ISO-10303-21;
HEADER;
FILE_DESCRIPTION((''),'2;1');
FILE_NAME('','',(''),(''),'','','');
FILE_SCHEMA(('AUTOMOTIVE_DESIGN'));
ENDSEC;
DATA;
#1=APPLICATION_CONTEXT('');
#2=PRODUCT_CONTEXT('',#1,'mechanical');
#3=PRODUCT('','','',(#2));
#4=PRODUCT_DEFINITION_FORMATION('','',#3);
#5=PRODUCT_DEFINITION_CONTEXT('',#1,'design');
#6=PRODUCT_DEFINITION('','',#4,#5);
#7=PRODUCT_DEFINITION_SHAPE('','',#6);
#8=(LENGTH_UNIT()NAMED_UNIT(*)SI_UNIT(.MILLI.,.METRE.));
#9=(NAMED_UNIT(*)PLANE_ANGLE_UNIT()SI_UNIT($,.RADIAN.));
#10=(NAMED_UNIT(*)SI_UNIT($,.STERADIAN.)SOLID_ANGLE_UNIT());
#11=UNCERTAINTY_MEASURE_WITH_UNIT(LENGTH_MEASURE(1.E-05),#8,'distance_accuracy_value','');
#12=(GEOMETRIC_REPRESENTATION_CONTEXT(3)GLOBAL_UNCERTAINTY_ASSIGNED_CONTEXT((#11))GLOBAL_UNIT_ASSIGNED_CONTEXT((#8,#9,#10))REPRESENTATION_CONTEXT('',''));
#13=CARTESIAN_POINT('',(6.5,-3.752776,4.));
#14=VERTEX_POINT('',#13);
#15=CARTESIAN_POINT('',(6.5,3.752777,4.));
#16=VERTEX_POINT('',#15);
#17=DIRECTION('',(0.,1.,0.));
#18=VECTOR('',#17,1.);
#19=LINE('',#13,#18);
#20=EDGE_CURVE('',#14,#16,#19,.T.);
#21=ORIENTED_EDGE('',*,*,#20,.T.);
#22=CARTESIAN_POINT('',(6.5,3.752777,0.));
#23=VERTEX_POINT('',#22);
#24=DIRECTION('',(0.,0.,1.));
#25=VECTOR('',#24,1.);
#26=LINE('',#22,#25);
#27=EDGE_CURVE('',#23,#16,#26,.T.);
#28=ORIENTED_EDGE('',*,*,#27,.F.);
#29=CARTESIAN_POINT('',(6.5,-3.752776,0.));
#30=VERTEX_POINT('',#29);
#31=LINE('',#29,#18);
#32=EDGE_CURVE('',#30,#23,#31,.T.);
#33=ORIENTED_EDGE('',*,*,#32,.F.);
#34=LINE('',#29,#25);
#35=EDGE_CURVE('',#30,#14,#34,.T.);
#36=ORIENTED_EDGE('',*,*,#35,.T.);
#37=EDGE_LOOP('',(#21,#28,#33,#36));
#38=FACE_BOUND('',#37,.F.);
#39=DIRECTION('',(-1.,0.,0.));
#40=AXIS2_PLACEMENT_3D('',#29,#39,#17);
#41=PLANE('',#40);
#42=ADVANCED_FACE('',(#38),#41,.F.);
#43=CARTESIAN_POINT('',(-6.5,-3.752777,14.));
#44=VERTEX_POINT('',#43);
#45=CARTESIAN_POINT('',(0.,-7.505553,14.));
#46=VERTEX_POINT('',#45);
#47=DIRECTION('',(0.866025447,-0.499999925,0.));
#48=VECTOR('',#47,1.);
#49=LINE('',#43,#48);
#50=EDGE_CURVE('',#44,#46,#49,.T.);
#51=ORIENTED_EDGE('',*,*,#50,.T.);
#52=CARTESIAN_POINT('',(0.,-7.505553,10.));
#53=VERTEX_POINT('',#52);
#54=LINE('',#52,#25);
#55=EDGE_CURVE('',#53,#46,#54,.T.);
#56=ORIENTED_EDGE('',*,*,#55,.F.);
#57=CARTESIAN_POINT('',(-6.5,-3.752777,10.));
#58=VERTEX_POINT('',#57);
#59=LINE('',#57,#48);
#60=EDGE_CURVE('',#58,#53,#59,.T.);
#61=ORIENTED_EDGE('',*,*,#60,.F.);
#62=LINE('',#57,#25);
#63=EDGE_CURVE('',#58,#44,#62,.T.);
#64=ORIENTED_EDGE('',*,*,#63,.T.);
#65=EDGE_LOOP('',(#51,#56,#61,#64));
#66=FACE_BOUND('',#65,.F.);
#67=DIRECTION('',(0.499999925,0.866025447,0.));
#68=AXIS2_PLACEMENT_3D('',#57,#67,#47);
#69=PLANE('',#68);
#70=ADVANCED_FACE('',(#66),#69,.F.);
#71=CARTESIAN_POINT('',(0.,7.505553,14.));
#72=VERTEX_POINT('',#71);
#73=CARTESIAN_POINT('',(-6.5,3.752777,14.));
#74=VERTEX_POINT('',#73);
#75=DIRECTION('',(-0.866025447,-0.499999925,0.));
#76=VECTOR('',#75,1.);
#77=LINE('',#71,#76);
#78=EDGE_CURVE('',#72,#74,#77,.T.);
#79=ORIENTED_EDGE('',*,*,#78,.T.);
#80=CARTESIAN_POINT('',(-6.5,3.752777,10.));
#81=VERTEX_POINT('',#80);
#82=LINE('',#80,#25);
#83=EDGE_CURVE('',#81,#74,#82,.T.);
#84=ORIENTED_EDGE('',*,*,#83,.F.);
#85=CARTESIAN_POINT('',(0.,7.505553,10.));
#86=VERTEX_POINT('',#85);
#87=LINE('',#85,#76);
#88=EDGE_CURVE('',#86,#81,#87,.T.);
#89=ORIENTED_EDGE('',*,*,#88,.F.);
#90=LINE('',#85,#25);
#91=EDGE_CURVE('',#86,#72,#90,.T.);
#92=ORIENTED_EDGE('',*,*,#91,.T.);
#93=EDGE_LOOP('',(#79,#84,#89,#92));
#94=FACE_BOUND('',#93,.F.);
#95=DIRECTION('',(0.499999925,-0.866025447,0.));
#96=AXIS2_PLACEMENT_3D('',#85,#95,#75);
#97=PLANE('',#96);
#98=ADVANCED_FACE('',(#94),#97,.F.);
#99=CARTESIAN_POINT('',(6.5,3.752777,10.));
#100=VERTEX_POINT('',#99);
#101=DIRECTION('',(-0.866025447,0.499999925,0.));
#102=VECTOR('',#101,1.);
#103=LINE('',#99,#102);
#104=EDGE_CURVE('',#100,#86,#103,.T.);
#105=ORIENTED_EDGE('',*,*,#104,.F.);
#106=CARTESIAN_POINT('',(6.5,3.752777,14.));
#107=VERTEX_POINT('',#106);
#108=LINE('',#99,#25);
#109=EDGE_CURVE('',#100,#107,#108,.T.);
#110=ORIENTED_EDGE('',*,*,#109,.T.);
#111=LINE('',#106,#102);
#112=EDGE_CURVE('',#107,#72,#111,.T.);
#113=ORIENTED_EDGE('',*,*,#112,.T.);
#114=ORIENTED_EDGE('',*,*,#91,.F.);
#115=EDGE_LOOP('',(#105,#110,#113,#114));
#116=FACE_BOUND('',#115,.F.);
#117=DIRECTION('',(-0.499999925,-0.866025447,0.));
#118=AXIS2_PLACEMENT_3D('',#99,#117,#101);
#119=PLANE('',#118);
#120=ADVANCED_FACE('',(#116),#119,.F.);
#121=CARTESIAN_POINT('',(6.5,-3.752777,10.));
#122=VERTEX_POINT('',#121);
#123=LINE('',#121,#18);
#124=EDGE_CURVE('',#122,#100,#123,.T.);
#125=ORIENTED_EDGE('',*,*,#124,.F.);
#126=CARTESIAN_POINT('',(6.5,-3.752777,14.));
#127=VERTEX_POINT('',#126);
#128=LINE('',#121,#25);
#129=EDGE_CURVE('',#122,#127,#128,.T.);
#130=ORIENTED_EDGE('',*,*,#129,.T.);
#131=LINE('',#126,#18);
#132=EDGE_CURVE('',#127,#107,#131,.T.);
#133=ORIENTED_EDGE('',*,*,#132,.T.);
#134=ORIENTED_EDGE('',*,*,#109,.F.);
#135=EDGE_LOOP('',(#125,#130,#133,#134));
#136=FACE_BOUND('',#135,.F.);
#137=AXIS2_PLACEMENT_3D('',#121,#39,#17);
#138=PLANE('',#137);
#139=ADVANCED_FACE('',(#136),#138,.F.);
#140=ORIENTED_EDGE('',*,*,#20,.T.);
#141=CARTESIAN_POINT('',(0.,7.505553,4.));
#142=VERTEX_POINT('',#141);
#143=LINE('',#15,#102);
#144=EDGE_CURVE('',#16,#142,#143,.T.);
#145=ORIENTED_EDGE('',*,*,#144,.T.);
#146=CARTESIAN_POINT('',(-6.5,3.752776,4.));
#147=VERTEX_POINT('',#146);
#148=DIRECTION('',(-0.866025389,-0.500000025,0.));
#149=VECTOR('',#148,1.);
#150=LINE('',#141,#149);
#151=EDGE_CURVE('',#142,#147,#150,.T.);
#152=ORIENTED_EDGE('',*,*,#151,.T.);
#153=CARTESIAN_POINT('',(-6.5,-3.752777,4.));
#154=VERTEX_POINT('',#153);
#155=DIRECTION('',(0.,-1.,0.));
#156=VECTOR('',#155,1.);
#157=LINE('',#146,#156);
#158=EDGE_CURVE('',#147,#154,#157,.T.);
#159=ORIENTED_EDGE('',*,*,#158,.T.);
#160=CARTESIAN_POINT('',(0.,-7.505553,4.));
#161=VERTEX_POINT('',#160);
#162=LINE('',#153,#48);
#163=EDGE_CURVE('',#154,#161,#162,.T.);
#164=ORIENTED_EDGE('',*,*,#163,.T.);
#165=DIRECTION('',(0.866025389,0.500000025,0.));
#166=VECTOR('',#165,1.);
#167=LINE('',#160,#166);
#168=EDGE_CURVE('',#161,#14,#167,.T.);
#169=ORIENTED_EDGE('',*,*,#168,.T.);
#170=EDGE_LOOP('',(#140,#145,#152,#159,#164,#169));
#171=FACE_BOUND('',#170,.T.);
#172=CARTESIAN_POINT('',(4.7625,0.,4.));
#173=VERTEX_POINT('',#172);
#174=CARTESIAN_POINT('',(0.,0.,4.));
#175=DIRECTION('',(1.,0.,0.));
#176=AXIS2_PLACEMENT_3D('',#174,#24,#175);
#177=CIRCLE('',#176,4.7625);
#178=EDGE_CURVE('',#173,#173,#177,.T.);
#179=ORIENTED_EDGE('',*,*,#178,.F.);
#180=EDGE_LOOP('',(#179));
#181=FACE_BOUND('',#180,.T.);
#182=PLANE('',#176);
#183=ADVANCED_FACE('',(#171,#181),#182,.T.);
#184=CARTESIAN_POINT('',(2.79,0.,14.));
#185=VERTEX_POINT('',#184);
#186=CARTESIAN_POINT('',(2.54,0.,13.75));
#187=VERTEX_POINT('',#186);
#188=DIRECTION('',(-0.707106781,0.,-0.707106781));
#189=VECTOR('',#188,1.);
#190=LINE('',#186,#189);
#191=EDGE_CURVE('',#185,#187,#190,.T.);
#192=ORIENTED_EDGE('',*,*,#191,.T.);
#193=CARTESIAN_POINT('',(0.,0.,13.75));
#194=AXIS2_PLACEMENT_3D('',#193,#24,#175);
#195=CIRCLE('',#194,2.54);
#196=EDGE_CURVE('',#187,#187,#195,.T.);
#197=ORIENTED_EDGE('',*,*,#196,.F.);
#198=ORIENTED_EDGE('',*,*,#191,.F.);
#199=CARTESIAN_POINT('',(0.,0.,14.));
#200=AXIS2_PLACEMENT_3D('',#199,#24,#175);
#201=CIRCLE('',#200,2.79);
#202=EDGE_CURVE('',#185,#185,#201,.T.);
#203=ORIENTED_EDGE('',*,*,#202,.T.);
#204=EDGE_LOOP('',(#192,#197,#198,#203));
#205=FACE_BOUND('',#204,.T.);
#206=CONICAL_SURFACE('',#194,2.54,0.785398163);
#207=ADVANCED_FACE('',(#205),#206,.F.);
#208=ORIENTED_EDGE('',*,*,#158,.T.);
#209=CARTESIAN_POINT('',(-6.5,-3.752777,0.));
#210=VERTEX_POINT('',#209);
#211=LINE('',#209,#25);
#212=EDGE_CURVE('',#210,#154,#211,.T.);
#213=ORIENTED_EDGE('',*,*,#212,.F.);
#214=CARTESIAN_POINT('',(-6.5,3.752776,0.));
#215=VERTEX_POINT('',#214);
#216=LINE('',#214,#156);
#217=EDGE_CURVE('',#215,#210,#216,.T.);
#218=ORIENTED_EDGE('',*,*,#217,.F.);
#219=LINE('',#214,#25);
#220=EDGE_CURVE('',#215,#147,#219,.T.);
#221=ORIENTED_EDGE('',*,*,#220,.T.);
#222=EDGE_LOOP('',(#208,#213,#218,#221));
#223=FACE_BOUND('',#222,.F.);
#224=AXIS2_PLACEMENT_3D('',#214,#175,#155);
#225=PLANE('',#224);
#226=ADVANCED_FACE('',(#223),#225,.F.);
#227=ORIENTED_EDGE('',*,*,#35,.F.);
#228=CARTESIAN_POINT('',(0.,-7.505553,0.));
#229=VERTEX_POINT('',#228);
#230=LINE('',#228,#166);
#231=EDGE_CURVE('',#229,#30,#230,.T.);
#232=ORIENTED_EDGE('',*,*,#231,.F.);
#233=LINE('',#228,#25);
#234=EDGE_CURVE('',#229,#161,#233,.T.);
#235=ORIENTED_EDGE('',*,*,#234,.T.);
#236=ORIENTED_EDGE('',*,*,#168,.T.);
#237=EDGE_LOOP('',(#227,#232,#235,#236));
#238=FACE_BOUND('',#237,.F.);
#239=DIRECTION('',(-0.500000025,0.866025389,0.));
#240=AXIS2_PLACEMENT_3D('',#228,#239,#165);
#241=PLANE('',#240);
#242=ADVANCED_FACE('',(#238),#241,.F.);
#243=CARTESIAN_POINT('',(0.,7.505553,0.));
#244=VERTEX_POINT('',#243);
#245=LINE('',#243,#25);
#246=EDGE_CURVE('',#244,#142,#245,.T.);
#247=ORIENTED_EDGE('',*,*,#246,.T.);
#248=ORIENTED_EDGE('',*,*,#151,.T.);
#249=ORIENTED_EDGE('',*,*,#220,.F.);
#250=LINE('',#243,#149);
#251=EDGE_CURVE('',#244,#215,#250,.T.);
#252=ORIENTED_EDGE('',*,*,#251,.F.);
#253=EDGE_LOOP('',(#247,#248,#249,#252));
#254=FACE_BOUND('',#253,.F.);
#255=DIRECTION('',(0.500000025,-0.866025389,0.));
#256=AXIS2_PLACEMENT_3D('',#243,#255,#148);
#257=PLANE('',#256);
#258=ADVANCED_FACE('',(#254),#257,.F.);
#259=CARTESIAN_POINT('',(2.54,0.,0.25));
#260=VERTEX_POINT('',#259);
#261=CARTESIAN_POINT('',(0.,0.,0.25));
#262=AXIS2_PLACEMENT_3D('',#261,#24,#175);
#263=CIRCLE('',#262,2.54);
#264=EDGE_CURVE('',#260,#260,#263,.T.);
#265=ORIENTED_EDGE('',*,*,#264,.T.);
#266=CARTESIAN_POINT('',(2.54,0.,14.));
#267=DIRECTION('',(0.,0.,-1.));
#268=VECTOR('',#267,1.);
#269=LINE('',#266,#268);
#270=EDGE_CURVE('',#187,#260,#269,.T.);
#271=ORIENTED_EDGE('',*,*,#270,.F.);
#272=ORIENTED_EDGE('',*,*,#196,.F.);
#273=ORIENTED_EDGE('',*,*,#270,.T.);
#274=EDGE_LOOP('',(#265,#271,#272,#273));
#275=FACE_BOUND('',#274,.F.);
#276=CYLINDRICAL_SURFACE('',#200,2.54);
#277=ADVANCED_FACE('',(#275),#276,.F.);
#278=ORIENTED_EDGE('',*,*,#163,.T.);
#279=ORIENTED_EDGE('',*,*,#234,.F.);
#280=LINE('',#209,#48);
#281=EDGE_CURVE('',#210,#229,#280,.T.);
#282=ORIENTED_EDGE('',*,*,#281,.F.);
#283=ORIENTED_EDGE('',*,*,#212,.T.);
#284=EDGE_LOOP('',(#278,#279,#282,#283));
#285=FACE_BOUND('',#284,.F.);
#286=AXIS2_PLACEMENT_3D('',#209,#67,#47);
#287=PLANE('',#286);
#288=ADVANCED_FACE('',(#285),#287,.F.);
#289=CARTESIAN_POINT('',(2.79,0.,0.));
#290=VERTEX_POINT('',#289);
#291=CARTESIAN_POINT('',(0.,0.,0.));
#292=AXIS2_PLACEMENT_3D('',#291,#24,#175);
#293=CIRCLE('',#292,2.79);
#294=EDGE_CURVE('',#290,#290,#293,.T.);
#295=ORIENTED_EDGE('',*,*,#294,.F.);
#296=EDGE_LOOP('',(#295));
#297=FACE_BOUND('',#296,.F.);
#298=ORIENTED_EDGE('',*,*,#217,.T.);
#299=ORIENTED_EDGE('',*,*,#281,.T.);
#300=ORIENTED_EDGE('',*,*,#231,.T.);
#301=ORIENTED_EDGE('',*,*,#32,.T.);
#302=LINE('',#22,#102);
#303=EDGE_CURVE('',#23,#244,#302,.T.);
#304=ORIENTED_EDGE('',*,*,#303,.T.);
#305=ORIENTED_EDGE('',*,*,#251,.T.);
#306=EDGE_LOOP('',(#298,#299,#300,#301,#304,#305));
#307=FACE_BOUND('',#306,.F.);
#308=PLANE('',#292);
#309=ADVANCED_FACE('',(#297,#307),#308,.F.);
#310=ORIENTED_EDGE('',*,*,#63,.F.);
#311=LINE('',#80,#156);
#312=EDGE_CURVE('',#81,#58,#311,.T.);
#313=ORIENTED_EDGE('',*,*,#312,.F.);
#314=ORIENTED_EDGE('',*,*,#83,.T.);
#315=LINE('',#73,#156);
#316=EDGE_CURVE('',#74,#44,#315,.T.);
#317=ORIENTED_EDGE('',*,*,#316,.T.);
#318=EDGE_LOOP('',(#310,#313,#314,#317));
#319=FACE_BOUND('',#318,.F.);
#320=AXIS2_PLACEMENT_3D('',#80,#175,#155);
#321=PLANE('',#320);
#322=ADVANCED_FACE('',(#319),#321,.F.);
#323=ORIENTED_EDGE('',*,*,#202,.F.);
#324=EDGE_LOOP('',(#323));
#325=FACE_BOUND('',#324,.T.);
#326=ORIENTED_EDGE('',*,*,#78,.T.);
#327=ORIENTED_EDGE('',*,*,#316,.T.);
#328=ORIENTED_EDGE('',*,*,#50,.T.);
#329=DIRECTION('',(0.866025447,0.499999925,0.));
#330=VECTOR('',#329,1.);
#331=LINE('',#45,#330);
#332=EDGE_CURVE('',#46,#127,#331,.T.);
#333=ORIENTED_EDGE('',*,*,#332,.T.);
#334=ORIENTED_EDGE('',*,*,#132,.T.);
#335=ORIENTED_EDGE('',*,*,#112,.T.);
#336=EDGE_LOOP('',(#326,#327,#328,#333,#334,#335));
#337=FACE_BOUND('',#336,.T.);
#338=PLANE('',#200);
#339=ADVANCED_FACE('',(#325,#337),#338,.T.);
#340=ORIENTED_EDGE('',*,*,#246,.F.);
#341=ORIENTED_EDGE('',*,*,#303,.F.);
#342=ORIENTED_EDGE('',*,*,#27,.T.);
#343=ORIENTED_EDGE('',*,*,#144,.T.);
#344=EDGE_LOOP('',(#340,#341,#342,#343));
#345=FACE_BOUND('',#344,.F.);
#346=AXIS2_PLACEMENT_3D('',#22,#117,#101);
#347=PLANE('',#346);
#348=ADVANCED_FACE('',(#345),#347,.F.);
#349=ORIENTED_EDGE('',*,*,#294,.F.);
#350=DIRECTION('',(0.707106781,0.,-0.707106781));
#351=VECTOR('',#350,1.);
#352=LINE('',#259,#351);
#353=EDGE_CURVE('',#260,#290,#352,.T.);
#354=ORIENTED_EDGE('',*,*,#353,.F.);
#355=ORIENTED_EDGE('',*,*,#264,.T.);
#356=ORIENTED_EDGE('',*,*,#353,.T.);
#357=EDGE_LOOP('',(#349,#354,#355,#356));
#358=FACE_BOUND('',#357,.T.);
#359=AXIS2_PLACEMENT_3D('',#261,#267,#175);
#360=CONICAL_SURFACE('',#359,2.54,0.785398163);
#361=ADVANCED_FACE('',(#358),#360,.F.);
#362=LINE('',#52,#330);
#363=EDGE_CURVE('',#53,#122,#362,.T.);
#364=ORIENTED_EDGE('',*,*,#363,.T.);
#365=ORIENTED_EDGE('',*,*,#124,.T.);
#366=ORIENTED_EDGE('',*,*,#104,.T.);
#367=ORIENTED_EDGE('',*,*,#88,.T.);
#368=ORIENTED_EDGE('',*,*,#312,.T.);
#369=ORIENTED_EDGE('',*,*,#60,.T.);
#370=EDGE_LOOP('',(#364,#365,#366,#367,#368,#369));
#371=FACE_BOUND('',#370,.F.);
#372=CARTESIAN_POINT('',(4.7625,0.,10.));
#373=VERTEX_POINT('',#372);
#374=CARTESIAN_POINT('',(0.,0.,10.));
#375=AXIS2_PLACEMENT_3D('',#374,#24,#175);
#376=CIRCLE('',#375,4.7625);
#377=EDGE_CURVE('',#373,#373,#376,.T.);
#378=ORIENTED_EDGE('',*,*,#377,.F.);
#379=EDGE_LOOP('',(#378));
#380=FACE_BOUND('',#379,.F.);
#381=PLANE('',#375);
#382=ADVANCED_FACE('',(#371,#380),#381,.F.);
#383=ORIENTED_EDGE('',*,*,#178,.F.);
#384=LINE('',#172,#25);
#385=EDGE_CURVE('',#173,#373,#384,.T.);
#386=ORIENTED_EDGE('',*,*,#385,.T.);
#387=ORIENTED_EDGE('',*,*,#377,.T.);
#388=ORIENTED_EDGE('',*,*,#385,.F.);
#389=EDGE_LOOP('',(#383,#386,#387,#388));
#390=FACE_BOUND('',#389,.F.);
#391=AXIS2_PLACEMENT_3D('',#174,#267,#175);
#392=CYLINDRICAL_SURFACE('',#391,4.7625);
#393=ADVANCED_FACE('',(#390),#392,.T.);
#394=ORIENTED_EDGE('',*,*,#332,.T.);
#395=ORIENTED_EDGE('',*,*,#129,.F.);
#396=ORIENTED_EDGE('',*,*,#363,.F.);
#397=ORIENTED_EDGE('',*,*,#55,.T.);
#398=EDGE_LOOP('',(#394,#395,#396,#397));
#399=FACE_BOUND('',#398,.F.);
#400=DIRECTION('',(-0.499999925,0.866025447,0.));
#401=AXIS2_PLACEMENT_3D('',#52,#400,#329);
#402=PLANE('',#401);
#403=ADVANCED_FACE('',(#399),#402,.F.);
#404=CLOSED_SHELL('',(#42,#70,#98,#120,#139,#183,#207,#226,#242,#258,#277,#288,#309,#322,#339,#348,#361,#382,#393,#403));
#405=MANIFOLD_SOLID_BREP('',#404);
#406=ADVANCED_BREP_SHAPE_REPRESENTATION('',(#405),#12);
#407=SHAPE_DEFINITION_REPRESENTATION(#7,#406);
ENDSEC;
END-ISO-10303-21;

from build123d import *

# Parameters (mm, degrees)
F1_DEPTH = 4
F2_R     = 4.7625
F3_DEPTH = 6
F5_DEPTH = 4
F6_R     = 2.54
F7_DEPTH = 25
F8_SIZE  = 0.25


with BuildPart() as f1:
    # F0 (on Top) → F1 (new body)
    with BuildSketch(Plane.XY):
        Polygon((0, 7.505553), (-6.5, 3.752776), (-6.5, -3.752777), (0, -7.505553), (6.5, -3.752776), (6.5, 3.752777), align=None)
    extrude(amount=F1_DEPTH)

    # F2 (on face) → F3 (join)
    with BuildSketch(Plane.XY.offset(4)):
        Circle(F2_R)
    extrude(amount=F3_DEPTH)

    # F4 (on face) → F5 (join)
    with BuildSketch(Plane.XY.offset(10)):
        Polygon((-6.5, 3.752777), (-6.5, -3.752777), (0, -7.505553), (6.5, -3.752777), (6.5, 3.752777), (0, 7.505553), align=None)
    extrude(amount=F5_DEPTH)

    # F6 (on face) → F7 (cut)
    with BuildSketch(Plane.XY.offset(14)):
        Circle(F6_R)
    extrude(amount=-F7_DEPTH, mode=Mode.SUBTRACT)

    # F8
    f8_edges = [f1.edges().sort_by_distance(p)[0] for p in [
        (-2.54, 0, 14),
        (-2.54, 0, 0),
    ]]
    chamfer(f8_edges, length=F8_SIZE)


solid = f1.part
